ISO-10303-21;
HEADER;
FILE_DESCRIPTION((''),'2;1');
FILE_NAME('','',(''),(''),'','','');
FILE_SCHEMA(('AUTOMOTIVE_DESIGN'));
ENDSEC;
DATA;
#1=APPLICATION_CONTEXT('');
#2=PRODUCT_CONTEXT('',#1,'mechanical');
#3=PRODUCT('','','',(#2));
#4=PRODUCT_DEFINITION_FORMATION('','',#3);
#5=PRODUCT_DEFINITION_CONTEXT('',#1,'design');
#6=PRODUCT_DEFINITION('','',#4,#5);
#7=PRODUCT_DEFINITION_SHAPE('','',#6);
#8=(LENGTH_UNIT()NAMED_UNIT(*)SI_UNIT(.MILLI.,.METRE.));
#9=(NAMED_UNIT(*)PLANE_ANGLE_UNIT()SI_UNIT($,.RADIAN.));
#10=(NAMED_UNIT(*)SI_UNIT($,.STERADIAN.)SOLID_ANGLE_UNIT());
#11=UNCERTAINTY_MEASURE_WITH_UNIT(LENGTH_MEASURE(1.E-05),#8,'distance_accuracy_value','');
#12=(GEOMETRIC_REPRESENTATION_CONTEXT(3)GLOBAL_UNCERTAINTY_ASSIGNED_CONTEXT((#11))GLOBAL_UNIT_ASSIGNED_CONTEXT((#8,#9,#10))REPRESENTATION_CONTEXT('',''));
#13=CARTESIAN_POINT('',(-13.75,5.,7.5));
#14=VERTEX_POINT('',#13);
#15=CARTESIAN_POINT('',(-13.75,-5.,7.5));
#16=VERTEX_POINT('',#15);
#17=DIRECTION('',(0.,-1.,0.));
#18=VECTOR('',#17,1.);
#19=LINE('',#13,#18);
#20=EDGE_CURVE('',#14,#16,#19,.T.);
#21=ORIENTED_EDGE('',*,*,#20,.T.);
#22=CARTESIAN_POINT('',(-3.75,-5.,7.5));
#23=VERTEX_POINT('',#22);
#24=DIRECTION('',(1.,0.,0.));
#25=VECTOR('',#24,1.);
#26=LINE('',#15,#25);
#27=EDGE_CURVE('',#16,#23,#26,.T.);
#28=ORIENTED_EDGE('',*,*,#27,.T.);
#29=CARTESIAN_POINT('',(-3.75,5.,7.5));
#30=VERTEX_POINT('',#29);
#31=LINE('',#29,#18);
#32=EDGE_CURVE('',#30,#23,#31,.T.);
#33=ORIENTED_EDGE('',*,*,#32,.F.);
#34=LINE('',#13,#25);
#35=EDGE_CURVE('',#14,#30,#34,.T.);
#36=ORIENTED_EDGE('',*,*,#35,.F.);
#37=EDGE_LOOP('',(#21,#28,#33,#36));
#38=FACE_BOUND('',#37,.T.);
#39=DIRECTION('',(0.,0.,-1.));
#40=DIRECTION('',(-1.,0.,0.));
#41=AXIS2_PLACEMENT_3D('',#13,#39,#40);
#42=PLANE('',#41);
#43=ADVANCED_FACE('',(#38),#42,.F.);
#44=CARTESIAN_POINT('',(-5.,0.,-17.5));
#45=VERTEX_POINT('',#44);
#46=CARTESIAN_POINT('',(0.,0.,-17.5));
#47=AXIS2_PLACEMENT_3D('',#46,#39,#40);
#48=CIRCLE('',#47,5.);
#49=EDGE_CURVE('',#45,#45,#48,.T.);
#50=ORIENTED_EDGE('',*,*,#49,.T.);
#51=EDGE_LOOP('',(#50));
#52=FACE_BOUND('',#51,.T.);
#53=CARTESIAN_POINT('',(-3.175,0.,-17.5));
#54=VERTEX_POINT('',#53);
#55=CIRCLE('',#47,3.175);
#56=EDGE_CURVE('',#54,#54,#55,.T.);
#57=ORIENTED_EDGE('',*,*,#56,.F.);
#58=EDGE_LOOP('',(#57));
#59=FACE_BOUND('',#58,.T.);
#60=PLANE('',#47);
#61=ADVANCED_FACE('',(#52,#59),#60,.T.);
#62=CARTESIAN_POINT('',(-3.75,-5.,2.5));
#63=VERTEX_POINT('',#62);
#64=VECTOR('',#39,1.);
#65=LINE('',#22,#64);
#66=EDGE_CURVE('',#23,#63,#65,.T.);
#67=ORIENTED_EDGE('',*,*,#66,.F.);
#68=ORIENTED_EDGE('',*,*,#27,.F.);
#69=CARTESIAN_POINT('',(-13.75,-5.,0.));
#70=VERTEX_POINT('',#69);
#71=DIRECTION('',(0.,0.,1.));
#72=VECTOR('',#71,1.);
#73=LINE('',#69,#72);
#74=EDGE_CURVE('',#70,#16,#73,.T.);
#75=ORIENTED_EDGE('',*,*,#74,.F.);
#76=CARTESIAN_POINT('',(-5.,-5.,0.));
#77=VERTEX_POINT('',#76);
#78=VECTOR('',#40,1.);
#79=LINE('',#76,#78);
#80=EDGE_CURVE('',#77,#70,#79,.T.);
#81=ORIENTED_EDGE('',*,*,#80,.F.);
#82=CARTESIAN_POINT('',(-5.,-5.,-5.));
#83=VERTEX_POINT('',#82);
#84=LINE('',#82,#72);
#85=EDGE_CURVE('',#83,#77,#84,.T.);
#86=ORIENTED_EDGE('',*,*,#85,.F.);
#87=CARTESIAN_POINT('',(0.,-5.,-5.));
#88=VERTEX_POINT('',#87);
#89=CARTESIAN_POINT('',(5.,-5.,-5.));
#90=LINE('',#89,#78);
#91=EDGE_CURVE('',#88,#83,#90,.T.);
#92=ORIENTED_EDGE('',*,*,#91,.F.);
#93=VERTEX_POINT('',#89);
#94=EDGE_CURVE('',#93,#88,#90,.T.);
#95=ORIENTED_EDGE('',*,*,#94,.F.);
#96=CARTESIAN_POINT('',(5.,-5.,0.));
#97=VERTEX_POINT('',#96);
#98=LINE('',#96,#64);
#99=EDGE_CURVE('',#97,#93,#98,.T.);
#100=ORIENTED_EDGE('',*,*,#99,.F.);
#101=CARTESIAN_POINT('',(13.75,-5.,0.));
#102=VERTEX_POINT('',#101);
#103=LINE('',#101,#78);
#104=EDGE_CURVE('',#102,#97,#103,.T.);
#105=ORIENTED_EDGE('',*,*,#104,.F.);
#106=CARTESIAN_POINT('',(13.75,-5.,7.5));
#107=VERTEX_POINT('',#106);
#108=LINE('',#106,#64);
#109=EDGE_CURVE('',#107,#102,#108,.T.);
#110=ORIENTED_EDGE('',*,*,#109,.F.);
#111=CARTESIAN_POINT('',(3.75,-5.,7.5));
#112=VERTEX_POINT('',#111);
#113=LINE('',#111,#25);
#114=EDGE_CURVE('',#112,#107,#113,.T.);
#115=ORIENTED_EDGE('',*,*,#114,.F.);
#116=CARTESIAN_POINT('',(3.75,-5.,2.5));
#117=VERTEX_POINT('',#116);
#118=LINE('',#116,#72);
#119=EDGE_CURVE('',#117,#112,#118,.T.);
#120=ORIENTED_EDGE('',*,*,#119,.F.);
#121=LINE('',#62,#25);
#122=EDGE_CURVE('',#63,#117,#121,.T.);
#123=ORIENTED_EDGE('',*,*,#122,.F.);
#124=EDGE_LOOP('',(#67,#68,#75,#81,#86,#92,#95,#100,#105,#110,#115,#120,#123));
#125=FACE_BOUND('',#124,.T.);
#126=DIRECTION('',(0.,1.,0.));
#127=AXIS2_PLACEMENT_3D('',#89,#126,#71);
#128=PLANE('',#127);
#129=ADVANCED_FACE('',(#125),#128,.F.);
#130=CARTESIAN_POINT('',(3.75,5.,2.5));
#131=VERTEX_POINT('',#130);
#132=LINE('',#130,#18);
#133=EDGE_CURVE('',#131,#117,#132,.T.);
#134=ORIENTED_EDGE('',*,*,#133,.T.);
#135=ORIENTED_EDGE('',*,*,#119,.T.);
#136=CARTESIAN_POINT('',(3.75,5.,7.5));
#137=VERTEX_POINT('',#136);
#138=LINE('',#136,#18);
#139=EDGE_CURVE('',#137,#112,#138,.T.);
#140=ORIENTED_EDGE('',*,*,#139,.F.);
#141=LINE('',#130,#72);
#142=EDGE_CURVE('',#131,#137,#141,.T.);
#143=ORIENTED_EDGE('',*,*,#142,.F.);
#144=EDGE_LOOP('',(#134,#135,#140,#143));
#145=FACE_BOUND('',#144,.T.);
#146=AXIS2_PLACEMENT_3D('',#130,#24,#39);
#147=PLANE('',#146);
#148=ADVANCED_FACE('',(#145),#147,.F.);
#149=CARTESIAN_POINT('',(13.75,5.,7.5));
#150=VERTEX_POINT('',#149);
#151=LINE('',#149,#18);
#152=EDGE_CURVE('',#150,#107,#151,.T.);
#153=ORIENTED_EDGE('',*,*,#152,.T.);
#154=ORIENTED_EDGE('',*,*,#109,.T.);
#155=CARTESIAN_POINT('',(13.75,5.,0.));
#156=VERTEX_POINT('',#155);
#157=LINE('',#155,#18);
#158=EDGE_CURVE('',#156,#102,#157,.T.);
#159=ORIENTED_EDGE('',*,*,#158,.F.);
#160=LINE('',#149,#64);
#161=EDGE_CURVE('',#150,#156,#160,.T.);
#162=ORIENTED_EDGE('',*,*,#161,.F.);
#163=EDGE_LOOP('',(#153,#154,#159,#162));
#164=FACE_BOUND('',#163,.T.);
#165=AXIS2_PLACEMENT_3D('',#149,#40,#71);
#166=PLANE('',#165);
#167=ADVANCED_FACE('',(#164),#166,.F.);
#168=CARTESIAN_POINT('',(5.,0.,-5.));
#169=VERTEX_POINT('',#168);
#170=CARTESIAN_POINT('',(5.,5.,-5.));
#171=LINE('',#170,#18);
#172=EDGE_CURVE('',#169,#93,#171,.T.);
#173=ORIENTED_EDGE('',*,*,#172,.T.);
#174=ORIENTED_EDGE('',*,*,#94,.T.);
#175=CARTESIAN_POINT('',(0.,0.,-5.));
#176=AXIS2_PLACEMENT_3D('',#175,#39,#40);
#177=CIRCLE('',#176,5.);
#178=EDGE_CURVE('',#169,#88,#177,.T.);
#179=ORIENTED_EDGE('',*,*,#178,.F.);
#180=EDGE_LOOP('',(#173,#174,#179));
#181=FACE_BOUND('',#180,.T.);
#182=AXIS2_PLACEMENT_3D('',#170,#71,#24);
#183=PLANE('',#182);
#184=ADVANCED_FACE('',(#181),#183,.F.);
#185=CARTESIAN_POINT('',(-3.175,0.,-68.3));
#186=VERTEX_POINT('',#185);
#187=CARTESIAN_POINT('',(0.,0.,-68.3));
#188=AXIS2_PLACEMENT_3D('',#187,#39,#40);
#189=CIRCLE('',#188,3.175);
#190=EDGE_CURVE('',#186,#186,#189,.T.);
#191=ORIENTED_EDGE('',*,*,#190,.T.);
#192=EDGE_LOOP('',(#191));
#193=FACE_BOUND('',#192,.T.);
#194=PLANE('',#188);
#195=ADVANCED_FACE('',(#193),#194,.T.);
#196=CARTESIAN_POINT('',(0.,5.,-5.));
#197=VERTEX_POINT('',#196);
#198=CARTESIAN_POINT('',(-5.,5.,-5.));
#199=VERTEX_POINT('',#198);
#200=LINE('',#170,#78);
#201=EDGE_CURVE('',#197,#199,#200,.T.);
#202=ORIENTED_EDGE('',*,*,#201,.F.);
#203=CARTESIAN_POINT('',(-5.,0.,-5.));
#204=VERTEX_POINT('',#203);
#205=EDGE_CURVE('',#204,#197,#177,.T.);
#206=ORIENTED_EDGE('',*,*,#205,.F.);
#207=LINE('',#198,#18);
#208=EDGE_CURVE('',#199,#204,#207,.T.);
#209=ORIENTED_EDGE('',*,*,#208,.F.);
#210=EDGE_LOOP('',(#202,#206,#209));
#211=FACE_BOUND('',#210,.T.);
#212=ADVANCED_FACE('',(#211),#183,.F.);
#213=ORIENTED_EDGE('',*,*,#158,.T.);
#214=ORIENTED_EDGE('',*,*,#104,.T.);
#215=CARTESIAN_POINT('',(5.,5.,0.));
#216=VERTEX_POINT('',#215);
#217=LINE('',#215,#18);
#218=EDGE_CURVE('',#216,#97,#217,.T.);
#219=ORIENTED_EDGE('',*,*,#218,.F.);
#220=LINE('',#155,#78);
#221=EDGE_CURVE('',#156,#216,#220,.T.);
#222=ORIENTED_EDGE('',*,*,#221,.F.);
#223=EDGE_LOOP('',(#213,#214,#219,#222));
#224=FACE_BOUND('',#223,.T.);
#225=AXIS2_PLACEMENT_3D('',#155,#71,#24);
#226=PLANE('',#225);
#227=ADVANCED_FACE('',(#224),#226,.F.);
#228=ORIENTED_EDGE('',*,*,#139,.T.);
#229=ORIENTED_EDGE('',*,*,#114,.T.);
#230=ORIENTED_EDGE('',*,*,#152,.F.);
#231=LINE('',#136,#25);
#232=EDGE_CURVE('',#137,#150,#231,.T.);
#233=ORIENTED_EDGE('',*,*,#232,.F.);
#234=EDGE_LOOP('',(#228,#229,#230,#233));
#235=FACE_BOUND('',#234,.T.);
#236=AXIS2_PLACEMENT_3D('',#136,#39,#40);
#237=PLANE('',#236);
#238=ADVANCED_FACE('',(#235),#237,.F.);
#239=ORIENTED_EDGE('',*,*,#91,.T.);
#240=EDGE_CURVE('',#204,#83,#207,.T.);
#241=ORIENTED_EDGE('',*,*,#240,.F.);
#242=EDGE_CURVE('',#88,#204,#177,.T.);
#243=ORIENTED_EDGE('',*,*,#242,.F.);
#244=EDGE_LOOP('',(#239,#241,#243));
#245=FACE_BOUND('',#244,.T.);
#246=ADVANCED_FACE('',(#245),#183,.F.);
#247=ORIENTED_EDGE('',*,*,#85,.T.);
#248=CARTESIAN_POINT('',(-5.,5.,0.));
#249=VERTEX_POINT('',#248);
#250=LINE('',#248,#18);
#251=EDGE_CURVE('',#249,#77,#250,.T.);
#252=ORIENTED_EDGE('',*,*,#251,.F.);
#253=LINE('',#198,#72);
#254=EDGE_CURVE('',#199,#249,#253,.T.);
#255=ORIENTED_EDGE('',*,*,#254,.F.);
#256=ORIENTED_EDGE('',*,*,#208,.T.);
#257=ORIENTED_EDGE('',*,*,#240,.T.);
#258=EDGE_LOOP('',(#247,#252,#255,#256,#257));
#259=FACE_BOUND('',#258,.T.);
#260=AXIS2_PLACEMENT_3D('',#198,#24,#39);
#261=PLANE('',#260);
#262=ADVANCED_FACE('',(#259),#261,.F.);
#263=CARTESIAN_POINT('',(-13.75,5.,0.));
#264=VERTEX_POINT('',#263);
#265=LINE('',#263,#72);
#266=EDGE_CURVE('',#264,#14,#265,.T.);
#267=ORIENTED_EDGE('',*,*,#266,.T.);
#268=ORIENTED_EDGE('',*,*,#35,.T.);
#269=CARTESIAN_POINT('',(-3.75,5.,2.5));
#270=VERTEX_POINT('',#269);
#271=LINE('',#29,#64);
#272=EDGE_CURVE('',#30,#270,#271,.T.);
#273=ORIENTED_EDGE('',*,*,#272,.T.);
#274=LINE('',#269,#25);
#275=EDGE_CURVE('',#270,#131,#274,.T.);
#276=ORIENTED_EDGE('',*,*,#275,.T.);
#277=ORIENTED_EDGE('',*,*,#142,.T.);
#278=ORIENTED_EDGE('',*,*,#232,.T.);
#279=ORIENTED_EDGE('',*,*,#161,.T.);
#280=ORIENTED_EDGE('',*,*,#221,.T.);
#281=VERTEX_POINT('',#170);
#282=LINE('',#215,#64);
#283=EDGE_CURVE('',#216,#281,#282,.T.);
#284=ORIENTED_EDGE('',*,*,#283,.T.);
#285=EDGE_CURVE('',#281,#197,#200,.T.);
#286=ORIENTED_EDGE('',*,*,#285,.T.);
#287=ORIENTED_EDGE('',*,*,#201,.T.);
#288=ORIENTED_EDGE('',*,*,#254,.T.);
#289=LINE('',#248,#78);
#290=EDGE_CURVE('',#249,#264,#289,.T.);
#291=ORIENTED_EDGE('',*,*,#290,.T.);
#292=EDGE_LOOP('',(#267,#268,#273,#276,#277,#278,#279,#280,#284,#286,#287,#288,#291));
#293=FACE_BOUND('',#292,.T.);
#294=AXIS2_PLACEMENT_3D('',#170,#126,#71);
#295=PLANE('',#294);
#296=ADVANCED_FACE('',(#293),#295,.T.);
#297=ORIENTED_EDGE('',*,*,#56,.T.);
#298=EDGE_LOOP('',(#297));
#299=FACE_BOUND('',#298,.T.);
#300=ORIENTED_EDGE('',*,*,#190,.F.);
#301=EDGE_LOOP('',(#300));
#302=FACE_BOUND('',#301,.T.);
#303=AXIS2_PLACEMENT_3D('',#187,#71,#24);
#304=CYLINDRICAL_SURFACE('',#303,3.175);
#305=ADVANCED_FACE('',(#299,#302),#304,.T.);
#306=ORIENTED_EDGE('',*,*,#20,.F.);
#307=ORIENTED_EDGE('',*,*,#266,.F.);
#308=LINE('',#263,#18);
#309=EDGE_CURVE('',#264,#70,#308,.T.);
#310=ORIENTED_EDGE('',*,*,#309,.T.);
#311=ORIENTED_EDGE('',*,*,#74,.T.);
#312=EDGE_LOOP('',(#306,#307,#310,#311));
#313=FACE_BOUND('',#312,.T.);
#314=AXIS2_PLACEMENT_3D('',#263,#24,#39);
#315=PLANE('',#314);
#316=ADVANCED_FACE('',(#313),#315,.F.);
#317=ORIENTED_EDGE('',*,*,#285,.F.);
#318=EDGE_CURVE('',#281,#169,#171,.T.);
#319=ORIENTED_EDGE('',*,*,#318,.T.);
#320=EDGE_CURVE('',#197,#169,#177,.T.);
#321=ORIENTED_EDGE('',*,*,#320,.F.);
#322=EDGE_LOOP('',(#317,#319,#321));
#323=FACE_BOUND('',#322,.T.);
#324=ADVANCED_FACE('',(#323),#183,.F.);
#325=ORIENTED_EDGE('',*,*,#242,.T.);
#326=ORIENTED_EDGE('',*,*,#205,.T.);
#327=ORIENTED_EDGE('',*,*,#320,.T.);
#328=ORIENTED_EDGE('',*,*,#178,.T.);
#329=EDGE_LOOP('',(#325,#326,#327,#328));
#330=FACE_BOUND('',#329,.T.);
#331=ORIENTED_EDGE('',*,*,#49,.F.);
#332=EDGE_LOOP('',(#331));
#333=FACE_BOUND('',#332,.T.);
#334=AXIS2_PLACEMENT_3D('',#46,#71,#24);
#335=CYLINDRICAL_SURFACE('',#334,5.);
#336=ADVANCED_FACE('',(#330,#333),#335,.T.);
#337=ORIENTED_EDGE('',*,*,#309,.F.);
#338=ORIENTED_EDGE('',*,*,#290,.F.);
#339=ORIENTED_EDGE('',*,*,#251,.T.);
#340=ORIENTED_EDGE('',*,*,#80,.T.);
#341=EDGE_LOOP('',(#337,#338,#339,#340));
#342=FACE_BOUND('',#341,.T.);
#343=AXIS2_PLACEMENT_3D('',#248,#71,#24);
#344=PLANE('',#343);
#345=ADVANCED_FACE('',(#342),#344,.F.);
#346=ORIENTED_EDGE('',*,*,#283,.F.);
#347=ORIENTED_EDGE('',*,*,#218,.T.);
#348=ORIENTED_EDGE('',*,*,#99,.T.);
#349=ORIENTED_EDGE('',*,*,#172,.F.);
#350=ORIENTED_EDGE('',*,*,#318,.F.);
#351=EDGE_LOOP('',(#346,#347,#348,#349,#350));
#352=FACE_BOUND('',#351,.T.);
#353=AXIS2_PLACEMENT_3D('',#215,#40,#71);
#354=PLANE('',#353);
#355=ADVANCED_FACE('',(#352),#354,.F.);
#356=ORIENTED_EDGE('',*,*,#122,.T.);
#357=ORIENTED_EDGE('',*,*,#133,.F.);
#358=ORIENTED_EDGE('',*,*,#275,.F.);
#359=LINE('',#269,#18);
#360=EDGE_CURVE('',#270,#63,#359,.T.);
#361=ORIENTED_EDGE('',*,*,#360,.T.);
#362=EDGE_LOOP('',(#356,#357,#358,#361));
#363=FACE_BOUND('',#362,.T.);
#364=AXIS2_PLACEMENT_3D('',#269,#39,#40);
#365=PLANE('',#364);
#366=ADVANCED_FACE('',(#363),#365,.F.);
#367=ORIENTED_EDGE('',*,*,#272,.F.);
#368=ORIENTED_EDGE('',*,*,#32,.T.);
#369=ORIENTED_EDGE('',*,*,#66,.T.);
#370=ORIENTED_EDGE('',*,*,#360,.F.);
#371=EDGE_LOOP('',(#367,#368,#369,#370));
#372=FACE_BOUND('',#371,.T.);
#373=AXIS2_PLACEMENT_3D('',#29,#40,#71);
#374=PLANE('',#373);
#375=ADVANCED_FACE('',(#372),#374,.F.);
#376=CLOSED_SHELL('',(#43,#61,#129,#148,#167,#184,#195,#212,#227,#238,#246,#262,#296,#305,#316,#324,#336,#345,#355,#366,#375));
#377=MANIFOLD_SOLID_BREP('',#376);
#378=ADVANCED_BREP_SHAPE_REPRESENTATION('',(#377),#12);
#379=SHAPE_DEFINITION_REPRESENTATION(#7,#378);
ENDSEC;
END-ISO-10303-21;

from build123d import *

# Parameters (mm, degrees)
BOSS_EXTRUDE1_DEPTH = 5
SKETCH2_R           = 5
BOSS_EXTRUDE2_DEPTH = 12.5
SKETCH3_R           = 3.175
BOSS_EXTRUDE3_DEPTH = 50.8


with BuildPart() as part:
    # Sketch1 → Boss-Extrude1 (new, symmetric)
    with BuildSketch(Plane(origin=(0, 0, 0), x_dir=(1, 0, 0), z_dir=(0, 1, 0))):
        Polygon((5, 5), (-5, 5), (-5, 0), (-13.75, 0), (-13.75, -7.5), (-3.75, -7.5), (-3.75, -2.5), (3.75, -2.5), (3.75, -7.5), (13.75, -7.5), (13.75, 0), (5, 0), align=None)
    extrude(amount=BOSS_EXTRUDE1_DEPTH, both=True)

    # Sketch2 → Boss-Extrude2 (add)
    with BuildSketch(Plane(origin=(0, 0, -5), x_dir=(-1, 0, 0), z_dir=(0, 0, -1))):
        Circle(SKETCH2_R)
    extrude(amount=BOSS_EXTRUDE2_DEPTH)

    # Sketch3 → Boss-Extrude3 (add)
    with BuildSketch(Plane(origin=(0, 0, -17.5), x_dir=(-1, 0, 0), z_dir=(0, 0, -1))):
        Circle(SKETCH3_R)
    extrude(amount=BOSS_EXTRUDE3_DEPTH)


solid = part.part
